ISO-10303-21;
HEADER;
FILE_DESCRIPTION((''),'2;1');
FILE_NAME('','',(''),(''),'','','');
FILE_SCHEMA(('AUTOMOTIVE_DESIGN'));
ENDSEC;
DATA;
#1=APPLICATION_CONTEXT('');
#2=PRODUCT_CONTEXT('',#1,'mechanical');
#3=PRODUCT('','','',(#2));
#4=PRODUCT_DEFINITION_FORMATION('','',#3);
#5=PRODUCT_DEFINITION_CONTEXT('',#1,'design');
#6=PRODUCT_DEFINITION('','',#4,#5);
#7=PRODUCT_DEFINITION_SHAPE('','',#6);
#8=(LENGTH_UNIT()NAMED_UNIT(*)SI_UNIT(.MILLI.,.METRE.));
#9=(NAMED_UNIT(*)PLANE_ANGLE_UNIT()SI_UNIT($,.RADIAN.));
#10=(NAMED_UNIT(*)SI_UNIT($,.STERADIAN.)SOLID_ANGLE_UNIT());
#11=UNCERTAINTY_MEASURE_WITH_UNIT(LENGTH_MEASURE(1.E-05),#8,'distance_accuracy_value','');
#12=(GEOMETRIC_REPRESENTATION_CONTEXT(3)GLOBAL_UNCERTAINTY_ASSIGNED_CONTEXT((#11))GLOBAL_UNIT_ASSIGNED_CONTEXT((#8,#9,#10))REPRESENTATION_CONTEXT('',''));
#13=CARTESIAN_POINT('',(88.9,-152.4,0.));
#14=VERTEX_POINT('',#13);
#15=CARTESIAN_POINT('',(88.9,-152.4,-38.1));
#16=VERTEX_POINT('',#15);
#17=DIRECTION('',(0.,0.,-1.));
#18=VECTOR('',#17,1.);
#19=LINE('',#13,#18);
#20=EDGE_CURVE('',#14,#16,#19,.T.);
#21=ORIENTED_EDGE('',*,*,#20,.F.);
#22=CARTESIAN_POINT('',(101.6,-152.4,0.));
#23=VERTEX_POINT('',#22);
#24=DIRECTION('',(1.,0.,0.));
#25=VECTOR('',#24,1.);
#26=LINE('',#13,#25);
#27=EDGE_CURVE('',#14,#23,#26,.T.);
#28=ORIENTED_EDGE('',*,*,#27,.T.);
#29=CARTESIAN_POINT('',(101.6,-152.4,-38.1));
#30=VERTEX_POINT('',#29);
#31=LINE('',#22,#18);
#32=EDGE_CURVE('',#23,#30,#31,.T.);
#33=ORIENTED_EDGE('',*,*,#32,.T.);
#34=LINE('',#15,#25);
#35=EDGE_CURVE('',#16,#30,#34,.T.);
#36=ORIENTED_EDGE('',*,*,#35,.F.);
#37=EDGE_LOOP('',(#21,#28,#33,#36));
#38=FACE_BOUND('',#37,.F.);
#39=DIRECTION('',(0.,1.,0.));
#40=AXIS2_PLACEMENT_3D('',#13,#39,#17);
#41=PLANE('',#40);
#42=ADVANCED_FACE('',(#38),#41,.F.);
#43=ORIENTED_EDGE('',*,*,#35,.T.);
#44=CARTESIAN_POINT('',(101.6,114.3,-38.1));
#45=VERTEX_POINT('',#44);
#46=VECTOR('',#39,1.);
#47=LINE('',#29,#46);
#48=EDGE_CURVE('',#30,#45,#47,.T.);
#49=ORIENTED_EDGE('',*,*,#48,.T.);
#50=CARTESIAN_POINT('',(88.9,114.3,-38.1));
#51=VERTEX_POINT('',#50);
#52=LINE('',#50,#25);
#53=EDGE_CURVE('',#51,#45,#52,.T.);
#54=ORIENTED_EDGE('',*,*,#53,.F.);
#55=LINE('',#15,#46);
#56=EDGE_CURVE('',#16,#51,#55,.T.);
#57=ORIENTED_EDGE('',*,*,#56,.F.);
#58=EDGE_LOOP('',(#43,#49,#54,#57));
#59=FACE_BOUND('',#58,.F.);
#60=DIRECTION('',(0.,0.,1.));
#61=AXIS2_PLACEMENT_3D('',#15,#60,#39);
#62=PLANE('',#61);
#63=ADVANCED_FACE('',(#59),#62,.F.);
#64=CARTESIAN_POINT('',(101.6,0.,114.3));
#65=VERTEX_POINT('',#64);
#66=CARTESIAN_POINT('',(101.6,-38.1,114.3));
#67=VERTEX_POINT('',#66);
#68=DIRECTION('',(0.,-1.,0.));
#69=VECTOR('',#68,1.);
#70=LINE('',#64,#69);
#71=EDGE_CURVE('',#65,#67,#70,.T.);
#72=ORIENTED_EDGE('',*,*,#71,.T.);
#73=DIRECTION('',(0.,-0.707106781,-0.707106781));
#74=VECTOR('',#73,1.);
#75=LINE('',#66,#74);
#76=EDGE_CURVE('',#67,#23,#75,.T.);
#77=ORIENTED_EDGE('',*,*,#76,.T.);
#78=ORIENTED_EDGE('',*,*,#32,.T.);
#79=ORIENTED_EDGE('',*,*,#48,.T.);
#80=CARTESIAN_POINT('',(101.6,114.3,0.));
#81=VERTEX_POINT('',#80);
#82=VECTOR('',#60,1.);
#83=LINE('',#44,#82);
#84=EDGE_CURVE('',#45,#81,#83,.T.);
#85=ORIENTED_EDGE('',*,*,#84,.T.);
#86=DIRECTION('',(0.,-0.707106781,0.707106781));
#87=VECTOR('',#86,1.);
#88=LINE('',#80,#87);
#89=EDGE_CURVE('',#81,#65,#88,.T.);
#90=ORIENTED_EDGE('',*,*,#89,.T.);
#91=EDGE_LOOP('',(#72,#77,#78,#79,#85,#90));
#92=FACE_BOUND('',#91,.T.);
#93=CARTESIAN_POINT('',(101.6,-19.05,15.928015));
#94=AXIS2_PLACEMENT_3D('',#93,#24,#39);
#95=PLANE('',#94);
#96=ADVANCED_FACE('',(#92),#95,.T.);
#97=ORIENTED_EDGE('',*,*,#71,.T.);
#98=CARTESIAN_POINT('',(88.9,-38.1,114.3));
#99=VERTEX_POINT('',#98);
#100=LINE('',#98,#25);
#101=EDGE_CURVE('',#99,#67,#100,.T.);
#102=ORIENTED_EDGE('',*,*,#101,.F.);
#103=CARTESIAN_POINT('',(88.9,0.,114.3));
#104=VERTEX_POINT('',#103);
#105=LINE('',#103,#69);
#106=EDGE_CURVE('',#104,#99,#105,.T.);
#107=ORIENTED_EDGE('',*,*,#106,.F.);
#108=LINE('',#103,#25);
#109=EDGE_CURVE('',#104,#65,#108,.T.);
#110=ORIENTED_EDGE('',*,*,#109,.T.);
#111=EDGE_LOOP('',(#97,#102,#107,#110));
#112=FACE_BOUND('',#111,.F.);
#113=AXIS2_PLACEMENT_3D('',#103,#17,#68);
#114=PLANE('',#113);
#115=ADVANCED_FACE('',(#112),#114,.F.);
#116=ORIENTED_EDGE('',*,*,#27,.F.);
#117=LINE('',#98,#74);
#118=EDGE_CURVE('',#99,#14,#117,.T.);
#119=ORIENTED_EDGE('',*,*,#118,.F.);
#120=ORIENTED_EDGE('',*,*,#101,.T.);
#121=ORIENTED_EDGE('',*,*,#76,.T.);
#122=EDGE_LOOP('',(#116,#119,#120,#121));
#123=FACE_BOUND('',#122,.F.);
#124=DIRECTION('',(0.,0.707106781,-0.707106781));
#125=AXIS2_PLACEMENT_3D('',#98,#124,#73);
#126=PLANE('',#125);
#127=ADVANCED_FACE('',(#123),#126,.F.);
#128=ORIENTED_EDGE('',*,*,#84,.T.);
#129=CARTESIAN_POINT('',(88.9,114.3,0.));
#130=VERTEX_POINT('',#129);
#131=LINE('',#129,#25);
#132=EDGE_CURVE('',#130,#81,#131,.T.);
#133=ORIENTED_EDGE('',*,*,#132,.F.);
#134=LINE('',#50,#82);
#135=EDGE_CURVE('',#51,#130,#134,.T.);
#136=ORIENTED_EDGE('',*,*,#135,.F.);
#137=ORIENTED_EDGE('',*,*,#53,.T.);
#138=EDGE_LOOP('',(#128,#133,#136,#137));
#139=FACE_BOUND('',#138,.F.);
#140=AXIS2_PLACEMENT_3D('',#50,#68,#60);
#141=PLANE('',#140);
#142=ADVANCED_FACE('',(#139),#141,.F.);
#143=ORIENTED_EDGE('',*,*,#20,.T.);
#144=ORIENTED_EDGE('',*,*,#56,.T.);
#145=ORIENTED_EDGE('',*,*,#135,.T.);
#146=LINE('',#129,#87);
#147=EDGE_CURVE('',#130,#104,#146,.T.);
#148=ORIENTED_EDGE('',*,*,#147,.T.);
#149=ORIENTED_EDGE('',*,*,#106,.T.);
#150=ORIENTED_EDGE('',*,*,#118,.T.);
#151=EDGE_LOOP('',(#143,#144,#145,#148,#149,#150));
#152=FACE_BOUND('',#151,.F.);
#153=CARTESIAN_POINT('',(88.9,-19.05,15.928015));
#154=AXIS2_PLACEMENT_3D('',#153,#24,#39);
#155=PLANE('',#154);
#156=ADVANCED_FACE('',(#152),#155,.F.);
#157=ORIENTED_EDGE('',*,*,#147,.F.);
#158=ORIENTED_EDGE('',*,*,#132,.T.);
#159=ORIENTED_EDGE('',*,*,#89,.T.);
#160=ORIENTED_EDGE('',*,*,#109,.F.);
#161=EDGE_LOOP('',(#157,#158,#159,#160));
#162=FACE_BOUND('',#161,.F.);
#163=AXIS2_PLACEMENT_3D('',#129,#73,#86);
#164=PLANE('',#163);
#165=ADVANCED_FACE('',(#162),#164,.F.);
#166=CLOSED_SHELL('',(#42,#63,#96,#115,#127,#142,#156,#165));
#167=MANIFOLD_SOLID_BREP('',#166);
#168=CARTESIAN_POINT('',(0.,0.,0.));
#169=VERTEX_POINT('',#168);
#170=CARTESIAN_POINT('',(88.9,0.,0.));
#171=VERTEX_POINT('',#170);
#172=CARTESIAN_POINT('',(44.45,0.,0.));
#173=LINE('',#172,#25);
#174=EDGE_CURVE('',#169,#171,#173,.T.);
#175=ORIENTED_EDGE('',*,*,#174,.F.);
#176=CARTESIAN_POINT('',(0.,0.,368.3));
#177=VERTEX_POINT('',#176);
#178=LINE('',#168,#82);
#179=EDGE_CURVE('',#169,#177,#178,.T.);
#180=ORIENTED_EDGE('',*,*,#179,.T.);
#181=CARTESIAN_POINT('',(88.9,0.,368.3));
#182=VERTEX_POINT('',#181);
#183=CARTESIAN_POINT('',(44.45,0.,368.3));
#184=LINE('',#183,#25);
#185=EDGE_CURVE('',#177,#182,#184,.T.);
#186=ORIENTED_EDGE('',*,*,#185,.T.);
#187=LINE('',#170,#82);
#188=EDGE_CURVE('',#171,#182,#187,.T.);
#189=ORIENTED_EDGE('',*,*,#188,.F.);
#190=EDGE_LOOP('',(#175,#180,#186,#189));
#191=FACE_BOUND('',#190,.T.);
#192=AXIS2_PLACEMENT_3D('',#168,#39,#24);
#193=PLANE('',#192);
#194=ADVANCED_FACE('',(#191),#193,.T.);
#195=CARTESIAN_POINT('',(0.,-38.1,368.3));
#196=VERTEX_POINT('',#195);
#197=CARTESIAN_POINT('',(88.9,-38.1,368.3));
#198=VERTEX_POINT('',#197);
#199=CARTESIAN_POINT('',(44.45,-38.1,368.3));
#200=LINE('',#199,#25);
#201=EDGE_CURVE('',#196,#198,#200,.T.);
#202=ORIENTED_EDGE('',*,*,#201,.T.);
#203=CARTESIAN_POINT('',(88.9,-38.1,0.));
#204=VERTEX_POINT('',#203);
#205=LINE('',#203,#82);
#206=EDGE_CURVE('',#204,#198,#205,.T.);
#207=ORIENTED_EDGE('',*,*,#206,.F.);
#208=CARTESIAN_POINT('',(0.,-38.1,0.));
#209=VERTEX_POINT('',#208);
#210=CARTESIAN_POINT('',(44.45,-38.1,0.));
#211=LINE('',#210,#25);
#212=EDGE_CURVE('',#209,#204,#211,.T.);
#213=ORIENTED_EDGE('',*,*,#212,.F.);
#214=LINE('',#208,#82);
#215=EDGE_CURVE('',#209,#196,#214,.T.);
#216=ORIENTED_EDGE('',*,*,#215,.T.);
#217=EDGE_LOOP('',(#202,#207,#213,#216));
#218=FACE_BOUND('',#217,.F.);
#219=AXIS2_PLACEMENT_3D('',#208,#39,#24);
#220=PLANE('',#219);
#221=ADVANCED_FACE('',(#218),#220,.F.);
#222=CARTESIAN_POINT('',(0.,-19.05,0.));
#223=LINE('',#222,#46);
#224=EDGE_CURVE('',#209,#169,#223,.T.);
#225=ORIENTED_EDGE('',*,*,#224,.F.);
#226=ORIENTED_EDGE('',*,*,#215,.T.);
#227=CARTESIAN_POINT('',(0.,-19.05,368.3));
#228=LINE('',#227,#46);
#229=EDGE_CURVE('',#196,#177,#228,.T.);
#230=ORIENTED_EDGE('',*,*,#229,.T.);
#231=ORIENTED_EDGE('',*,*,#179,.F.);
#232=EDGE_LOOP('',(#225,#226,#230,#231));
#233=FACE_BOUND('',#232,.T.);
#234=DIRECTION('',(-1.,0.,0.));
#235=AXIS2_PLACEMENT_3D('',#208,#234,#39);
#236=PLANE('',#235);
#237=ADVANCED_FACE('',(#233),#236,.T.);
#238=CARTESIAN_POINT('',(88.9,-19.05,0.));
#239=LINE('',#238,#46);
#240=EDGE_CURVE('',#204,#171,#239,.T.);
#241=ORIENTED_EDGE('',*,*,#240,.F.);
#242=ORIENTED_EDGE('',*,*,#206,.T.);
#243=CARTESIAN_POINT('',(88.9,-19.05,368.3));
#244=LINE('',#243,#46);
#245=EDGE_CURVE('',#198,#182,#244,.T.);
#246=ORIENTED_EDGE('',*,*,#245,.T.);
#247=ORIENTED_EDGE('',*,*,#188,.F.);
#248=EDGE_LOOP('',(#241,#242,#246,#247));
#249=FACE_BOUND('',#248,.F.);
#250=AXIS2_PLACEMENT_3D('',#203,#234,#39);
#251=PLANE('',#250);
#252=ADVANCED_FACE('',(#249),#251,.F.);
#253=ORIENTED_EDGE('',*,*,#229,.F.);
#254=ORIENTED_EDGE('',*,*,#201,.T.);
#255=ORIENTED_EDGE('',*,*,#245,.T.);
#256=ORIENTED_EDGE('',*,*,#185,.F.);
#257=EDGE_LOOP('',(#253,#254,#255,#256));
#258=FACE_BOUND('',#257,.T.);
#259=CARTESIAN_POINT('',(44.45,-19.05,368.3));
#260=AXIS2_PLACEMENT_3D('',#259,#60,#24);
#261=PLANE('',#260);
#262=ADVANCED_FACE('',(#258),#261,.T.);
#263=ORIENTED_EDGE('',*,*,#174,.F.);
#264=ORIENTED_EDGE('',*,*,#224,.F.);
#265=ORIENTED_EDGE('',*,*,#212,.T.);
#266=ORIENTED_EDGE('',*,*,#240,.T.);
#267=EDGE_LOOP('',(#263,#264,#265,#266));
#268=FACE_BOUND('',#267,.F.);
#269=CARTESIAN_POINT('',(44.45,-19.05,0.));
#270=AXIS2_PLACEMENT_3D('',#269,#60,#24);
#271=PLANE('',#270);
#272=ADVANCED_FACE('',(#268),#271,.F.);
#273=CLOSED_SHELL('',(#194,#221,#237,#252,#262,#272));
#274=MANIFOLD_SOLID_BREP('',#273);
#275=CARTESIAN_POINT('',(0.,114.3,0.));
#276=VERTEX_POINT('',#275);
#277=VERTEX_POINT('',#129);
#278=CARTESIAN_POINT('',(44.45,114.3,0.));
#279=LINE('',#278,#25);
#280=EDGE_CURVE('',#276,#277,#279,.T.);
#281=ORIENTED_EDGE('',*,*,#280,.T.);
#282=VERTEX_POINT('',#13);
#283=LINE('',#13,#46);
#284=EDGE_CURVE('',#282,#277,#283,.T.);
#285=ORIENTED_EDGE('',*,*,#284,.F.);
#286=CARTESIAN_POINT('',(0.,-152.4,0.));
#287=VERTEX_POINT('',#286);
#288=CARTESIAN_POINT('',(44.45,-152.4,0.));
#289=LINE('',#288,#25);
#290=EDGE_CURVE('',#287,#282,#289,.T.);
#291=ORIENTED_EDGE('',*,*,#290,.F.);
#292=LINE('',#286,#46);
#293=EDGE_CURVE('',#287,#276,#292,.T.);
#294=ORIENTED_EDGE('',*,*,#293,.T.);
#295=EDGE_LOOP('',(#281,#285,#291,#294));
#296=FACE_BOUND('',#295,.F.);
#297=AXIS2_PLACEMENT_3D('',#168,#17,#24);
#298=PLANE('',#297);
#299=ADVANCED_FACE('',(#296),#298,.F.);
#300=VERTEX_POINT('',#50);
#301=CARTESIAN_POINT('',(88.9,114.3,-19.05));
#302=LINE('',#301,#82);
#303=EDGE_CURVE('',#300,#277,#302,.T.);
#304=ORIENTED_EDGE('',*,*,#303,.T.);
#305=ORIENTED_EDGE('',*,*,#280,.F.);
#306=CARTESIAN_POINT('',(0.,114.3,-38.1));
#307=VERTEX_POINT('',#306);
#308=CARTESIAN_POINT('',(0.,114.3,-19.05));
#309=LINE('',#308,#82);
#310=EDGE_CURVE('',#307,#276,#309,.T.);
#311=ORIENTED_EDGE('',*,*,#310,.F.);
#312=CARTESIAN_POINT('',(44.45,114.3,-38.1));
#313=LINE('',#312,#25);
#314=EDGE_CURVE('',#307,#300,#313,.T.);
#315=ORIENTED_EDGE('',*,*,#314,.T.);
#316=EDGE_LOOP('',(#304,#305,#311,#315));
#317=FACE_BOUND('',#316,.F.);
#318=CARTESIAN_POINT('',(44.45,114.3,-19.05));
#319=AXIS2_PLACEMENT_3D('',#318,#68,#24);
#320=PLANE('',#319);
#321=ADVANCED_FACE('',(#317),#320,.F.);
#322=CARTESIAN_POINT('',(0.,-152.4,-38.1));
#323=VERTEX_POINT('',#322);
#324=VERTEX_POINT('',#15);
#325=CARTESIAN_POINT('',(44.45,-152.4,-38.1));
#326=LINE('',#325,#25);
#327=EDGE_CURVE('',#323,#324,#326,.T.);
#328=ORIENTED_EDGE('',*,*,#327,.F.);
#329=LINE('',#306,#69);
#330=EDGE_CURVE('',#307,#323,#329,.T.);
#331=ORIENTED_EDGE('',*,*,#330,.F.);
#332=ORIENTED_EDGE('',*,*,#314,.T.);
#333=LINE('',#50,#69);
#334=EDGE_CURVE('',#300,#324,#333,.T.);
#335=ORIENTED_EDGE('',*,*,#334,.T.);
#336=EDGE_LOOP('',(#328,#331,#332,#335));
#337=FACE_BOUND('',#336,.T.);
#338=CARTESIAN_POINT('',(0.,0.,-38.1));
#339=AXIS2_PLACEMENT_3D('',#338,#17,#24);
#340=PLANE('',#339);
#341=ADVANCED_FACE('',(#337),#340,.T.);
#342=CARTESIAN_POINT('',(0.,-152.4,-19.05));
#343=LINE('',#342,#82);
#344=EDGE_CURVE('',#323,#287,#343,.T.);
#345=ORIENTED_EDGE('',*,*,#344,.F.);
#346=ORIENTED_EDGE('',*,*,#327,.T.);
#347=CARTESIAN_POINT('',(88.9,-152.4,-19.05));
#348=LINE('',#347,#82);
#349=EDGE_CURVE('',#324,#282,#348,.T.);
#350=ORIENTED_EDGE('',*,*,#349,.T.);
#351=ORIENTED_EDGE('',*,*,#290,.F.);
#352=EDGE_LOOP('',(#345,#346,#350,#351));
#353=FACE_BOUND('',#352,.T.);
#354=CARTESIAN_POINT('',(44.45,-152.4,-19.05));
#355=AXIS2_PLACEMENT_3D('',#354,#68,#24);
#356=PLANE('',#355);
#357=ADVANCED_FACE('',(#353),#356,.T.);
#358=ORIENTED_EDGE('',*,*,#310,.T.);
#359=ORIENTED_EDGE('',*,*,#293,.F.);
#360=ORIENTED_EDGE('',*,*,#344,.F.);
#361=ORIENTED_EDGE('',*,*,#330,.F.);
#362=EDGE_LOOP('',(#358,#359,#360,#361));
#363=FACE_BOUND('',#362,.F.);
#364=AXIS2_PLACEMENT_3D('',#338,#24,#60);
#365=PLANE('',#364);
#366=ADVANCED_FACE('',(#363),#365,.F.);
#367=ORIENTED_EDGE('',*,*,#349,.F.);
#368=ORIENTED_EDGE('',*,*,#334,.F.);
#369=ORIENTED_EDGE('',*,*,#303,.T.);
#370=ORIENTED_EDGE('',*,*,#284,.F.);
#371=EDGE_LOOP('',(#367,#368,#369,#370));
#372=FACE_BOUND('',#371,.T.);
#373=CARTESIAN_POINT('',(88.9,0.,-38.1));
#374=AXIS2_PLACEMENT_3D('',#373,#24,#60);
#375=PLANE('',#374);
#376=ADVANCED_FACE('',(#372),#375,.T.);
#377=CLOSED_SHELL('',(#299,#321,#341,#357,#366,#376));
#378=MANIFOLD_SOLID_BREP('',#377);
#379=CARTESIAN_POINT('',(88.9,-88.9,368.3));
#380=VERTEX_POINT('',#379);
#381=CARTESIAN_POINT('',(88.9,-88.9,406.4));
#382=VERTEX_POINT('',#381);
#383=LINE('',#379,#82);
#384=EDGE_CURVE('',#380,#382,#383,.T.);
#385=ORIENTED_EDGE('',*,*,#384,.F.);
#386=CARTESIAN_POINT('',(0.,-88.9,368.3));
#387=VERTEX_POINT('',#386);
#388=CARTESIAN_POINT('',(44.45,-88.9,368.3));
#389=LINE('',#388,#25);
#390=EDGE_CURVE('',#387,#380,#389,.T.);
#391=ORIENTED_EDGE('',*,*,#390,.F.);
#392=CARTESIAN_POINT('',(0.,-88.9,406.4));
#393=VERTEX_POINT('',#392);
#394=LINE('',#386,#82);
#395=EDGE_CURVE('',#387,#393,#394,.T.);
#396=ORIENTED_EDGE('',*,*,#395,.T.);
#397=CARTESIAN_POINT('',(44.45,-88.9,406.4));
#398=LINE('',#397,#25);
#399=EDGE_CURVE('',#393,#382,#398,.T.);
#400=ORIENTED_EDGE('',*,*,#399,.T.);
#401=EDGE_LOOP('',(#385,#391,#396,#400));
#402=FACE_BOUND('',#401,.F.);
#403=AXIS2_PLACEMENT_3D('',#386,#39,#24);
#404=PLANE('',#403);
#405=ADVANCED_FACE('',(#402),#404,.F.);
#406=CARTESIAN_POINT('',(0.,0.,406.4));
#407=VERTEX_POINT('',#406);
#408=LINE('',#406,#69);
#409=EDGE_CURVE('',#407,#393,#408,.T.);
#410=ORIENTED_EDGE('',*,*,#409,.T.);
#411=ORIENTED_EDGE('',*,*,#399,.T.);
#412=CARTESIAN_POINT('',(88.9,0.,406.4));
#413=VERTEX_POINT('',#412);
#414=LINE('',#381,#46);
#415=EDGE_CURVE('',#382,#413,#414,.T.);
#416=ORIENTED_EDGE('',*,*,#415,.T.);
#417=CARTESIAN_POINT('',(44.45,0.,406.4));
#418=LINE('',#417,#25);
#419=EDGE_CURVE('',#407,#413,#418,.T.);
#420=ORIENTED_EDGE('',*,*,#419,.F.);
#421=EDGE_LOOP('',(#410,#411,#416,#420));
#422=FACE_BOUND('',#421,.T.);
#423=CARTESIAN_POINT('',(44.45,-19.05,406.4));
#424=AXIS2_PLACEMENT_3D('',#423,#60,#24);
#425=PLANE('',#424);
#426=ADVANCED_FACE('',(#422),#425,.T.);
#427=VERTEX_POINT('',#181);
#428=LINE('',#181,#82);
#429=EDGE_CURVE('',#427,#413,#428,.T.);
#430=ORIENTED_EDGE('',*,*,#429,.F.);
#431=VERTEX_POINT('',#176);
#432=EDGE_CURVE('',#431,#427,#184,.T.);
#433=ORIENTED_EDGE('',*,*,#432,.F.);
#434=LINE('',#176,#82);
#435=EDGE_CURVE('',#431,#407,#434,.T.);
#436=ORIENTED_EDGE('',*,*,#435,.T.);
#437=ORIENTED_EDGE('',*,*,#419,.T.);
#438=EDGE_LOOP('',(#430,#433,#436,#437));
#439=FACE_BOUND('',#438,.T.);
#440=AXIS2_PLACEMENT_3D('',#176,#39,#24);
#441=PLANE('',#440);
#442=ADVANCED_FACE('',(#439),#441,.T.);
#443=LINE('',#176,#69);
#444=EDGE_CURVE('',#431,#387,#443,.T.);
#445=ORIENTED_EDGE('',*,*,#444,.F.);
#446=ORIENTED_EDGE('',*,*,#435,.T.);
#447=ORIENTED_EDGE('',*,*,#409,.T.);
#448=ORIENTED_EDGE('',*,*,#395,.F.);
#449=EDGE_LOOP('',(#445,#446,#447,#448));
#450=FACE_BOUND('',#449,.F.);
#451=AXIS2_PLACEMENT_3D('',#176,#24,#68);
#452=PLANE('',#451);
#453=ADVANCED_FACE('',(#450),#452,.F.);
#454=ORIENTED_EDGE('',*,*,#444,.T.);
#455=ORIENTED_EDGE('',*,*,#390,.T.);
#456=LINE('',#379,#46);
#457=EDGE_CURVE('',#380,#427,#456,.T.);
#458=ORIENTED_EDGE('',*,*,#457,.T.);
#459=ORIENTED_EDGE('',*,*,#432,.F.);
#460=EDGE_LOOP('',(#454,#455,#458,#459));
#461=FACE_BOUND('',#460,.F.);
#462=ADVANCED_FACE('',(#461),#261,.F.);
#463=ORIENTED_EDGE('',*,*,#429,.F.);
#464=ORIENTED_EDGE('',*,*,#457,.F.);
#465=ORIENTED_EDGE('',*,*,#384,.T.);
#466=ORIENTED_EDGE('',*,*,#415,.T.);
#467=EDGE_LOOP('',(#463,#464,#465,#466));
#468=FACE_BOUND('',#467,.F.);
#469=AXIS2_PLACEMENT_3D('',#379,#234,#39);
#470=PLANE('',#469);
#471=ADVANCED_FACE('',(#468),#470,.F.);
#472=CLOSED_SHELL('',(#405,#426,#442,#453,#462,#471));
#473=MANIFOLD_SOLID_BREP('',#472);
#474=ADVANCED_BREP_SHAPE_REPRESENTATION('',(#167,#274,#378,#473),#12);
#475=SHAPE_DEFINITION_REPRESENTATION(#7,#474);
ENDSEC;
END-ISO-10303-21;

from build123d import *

# Parameters (mm, degrees)
F0_W          = 88.9
F0_H          = 38.1
F1_DEPTH      = 368.3
F2_W          = 88.9
F2_H          = 38.1
F2_H_2        = 50.8
F3_DEPTH      = 38.1
F4_W          = 88.9
F4_H          = 38.1
F5_DEPTH      = 152.4
F5_DEPTH_BACK = 114.3
F7_DEPTH      = 12.7


with BuildPart() as f1:
    # F0 (on Top) → F1 (new body)
    with BuildSketch(Plane.XY):
        with Locations((44.45, -19.05)):
            Rectangle(F0_W, F0_H)
    extrude(amount=F1_DEPTH)


with BuildPart() as f3:
    # F2 (on face) → F3 (new body)
    with BuildSketch(Plane.XY.offset(368.3)):
        with Locations((44.45, -19.05)):
            Rectangle(F2_W, F2_H)
        with Locations((44.45, -63.5)):
            Rectangle(F2_W, F2_H_2)
    extrude(amount=F3_DEPTH)


with BuildPart() as f5:
    # F4 (on Front) → F5 (new body, two sides)
    with BuildSketch(Plane.XZ) as f5_sk:
        with Locations((44.45, -19.05)):
            Rectangle(F4_W, F4_H)
    extrude(amount=F5_DEPTH)
    extrude(f5_sk.sketch, amount=-F5_DEPTH_BACK)


with BuildPart() as f7:
    # F6 (on face) → F7 (new body)
    with BuildSketch(Plane.YZ.offset(88.9)):
        Polygon((-152.4, 0), (-152.4, -38.1), (114.3, -38.1), (114.3, 0), (0, 114.3), (-38.1, 114.3), align=None)
    extrude(amount=F7_DEPTH)


solid = Compound([f1.part, f3.part, f5.part, f7.part])
